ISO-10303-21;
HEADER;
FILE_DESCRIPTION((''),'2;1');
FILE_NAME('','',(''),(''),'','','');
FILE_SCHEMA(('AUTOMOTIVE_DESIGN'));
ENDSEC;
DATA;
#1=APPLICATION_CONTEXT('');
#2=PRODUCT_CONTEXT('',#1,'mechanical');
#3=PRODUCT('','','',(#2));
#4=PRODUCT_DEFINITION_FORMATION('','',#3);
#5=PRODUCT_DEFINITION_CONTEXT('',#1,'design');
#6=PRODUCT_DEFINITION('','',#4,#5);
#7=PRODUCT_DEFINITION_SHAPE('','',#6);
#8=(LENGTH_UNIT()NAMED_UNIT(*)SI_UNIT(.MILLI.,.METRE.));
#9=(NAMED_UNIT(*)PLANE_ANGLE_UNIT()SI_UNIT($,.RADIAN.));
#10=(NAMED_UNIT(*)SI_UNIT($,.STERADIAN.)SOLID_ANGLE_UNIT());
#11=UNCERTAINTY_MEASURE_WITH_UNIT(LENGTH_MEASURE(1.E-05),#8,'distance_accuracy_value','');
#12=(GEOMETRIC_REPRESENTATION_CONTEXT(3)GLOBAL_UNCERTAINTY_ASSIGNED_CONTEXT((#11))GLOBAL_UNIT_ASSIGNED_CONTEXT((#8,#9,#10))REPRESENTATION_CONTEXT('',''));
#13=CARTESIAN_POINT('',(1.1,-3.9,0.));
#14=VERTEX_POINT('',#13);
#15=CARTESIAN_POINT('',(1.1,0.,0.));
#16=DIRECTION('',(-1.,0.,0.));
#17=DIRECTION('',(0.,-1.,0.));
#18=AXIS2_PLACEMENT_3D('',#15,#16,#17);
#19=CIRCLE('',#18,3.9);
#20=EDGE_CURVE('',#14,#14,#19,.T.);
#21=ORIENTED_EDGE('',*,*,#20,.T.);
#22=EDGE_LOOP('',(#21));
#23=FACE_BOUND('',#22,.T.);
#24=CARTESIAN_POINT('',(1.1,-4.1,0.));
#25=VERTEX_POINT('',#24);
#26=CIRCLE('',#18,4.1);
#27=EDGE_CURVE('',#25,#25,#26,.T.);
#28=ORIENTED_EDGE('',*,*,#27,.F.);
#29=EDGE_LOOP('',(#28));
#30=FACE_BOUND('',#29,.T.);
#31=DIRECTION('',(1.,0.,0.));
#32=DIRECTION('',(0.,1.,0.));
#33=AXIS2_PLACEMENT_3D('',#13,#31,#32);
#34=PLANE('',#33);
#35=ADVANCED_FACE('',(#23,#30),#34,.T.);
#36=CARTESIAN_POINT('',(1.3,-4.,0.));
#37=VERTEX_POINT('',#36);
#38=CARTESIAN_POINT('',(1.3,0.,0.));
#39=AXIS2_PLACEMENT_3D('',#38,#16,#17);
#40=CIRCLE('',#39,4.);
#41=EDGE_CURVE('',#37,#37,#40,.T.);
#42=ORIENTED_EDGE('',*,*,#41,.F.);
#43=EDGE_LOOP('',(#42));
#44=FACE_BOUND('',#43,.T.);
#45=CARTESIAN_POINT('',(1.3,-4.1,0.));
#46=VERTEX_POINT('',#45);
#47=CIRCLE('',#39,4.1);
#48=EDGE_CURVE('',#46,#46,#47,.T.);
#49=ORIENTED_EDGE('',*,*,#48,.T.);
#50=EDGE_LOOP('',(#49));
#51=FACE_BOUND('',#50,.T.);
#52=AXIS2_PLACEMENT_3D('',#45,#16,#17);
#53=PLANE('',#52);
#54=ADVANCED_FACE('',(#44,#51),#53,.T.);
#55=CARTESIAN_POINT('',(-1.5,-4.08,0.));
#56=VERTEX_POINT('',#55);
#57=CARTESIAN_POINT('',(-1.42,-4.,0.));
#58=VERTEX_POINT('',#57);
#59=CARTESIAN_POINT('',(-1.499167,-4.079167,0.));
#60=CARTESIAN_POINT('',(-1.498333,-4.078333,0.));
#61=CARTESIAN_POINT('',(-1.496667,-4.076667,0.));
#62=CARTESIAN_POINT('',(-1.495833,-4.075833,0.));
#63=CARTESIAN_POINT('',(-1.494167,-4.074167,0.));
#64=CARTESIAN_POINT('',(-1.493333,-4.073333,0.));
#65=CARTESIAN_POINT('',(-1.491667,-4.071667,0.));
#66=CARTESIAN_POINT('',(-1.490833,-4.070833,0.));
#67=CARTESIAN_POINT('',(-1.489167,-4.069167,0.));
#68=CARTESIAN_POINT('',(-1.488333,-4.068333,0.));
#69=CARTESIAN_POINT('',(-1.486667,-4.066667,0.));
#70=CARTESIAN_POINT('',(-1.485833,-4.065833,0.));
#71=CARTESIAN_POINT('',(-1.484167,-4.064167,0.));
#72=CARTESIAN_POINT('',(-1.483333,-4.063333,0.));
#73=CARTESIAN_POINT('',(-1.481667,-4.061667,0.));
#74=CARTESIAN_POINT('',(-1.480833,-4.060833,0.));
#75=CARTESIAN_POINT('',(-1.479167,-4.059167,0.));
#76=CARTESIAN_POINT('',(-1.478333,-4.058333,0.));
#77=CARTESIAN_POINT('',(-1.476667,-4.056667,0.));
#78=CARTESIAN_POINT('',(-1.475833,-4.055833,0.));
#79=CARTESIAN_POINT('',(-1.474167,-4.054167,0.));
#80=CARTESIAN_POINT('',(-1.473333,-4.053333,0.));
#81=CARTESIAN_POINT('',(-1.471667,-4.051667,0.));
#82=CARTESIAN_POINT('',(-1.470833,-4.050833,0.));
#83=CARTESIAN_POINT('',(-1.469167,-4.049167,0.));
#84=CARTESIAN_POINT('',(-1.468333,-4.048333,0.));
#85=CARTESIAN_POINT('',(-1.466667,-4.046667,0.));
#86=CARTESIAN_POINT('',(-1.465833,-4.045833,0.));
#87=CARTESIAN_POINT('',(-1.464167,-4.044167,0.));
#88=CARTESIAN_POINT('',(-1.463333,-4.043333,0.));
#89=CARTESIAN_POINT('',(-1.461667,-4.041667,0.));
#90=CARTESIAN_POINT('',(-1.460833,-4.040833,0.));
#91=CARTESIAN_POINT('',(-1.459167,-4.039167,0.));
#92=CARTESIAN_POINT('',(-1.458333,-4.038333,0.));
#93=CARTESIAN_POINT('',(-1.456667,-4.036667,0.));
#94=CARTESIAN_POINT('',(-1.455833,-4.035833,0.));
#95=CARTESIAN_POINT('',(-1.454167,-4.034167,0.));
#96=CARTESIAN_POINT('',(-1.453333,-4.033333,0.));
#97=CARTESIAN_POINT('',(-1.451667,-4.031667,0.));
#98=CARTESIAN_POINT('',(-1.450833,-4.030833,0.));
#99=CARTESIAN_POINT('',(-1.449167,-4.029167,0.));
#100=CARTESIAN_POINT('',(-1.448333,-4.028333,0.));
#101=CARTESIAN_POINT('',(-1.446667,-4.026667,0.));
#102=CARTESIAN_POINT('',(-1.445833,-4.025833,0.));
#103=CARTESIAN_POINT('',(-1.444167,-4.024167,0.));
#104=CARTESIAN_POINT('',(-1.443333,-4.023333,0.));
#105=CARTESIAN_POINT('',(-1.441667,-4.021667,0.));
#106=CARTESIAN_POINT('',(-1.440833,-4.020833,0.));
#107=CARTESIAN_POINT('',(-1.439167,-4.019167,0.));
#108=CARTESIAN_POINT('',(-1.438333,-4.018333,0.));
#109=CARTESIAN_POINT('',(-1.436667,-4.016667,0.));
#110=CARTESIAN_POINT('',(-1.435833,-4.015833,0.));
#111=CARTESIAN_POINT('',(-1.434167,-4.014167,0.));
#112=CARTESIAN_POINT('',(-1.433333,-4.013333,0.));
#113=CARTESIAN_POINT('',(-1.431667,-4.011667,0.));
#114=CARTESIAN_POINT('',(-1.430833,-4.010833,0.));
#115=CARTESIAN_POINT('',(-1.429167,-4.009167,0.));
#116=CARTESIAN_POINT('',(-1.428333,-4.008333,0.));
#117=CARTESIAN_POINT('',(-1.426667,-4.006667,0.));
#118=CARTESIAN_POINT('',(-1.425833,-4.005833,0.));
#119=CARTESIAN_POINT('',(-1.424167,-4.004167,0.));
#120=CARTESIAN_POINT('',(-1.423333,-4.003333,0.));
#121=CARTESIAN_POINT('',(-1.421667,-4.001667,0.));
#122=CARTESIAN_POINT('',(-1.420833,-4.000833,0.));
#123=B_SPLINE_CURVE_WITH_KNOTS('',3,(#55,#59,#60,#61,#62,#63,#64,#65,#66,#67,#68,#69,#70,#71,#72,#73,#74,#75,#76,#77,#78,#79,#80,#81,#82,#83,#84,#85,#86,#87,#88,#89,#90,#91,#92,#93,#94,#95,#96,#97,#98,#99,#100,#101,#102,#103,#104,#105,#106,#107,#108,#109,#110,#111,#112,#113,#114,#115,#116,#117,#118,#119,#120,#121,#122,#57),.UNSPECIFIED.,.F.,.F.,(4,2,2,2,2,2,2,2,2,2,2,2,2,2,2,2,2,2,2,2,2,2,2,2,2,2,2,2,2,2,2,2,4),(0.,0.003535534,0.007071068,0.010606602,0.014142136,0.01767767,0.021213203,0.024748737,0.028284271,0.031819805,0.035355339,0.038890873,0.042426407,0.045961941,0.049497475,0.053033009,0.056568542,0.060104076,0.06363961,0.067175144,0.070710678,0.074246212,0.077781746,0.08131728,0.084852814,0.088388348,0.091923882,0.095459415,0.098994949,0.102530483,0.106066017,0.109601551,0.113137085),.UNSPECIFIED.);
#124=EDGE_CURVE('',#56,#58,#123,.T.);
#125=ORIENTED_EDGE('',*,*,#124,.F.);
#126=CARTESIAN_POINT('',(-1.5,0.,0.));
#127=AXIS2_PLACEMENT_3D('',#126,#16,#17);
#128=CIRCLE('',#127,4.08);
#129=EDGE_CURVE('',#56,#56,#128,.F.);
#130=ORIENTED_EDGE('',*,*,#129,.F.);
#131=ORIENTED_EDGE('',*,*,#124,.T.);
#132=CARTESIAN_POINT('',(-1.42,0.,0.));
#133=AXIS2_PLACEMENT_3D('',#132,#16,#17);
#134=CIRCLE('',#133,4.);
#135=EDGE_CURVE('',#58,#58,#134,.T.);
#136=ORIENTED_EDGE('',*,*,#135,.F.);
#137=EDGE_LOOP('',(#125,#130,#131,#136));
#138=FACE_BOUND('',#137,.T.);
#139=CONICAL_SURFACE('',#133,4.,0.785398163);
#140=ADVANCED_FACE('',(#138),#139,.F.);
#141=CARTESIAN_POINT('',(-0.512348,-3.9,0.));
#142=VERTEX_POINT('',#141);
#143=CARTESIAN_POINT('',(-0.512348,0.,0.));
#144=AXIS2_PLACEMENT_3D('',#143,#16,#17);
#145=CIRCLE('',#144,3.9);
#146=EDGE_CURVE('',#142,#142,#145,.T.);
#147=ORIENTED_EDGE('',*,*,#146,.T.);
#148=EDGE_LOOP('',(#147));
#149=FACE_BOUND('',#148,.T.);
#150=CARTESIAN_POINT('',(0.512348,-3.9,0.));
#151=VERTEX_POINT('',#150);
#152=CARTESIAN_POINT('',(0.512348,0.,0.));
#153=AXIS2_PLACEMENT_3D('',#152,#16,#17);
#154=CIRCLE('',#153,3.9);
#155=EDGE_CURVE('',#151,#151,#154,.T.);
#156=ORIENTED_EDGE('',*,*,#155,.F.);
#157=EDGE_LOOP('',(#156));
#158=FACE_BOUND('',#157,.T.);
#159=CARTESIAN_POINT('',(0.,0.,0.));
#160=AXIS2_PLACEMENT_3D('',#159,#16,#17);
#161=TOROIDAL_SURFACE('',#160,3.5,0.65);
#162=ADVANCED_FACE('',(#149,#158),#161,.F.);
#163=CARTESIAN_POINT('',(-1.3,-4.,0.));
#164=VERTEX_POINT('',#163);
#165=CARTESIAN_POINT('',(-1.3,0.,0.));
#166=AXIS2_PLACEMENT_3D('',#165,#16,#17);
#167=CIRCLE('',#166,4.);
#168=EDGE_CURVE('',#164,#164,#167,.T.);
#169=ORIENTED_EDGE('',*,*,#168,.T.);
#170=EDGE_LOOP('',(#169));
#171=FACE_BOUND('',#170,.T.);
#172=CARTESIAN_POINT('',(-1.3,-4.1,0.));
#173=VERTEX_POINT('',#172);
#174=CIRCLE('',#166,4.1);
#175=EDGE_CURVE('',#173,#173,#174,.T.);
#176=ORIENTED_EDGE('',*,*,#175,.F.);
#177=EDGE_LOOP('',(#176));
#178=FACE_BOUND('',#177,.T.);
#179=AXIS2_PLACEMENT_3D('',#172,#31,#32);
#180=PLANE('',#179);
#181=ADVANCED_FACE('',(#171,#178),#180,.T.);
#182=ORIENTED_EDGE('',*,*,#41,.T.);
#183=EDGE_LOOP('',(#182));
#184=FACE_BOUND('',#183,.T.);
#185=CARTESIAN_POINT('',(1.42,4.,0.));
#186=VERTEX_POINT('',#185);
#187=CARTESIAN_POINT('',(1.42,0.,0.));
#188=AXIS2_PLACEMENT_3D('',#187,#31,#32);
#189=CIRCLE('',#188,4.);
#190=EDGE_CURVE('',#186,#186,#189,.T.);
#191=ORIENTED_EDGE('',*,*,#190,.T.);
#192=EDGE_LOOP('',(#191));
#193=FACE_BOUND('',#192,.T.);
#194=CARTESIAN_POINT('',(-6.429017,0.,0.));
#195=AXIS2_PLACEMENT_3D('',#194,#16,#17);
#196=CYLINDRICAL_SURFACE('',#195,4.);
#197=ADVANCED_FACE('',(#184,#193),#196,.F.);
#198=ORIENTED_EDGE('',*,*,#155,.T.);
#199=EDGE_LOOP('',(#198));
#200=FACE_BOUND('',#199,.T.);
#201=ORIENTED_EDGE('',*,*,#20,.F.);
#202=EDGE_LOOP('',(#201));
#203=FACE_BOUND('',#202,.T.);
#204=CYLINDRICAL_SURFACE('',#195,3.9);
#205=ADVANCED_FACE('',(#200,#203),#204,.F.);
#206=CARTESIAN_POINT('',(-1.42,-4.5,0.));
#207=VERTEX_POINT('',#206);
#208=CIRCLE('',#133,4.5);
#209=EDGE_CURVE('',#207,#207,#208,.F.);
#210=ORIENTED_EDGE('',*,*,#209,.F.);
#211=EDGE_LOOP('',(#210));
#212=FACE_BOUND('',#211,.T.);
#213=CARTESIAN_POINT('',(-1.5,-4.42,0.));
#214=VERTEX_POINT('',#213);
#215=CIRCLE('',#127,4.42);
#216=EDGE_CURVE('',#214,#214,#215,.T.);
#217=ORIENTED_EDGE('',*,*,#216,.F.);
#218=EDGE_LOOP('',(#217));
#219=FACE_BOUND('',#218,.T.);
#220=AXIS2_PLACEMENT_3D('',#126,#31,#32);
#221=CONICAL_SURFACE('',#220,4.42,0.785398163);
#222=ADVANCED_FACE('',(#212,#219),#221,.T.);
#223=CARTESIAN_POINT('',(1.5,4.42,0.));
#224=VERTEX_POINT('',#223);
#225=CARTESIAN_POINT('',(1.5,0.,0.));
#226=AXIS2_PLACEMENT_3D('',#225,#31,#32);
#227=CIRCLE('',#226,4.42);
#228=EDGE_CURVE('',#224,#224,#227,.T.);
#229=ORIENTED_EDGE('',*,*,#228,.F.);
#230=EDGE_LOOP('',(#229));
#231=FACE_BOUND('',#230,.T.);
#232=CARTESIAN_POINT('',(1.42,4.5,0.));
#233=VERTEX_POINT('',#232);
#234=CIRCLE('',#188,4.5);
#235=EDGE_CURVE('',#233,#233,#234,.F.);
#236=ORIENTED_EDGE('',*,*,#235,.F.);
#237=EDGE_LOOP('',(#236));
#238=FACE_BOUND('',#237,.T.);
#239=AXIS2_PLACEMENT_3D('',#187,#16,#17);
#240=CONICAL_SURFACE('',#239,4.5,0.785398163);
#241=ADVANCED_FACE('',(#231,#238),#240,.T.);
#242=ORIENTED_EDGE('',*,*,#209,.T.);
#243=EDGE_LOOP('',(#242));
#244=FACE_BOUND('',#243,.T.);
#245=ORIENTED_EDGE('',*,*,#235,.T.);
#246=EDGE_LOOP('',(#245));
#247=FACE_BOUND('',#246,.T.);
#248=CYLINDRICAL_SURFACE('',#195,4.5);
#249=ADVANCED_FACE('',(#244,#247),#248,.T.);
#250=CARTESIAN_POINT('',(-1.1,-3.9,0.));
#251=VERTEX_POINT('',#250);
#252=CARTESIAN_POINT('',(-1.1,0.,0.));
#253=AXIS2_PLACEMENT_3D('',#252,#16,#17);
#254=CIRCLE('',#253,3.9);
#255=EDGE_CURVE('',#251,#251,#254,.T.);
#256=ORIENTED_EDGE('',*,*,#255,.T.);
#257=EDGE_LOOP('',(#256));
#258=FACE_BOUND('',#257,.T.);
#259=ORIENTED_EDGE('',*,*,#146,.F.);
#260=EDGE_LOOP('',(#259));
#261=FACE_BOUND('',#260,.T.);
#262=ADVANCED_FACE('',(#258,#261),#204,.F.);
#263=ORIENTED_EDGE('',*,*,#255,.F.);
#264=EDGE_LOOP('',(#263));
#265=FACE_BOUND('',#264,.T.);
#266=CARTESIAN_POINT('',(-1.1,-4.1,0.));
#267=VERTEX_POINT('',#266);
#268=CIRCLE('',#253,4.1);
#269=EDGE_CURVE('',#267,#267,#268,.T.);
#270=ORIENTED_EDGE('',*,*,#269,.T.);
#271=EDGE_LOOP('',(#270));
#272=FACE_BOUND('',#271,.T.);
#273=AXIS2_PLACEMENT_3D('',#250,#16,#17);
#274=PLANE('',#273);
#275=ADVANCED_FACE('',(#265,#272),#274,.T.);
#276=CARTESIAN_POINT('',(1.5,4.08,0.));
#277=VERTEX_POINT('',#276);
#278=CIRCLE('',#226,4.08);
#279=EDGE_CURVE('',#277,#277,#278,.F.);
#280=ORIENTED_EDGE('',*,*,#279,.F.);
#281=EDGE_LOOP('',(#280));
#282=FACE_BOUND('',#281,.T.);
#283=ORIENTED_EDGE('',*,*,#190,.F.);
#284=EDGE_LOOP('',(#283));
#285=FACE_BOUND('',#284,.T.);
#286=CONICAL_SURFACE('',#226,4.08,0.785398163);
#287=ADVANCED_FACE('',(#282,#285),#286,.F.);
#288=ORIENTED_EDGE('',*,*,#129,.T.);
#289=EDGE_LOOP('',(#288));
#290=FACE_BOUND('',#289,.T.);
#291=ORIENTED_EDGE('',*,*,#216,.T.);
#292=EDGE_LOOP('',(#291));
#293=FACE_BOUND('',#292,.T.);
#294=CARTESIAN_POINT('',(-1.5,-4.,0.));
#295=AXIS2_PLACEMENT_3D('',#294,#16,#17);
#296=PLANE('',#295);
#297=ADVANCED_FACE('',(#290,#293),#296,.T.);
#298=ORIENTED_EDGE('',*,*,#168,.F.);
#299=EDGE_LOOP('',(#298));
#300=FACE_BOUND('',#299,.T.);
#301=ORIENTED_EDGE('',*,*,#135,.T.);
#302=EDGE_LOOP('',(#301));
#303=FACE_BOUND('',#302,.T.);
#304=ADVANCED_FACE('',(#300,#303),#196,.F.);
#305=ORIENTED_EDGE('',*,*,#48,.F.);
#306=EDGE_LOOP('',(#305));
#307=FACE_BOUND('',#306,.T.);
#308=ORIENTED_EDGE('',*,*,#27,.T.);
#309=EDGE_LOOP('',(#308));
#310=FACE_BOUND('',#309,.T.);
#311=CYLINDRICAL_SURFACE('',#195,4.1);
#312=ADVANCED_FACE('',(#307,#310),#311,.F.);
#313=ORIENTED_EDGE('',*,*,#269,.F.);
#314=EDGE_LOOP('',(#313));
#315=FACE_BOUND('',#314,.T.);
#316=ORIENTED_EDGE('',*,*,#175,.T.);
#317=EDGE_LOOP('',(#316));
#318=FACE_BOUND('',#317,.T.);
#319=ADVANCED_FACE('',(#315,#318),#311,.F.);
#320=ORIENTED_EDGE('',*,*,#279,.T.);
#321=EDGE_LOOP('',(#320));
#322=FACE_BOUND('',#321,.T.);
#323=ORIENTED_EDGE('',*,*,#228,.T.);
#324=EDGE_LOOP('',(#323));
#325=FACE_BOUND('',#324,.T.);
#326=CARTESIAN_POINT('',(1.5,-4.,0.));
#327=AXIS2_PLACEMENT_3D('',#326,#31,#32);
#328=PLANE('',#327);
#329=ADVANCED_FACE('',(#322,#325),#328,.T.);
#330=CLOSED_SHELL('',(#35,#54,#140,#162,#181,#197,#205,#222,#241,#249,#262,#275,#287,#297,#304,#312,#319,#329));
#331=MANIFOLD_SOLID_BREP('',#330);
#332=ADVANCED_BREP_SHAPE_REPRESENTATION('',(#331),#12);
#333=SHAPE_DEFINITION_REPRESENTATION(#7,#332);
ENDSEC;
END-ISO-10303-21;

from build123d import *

# Parameters (mm, degrees)
CHAMFER1_SIZE = 0.08


with BuildPart() as part:
    # Sketch1 → Revolve1 (revolve)
    with BuildSketch(Plane.XY):
        with BuildLine():
            Line((-1.1, -3.9), (-0.512347538, -3.9))
            ThreePointArc((-0.512347538, -3.9), (0, -4.15), (0.512347538, -3.9))
            Line((0.512347538, -3.9), (1.1, -3.9))
            Line((1.1, -3.9), (1.1, -4.1))
            Line((1.1, -4.1), (1.3, -4.1))
            Line((1.3, -4.1), (1.3, -4))
            Line((1.3, -4), (1.5, -4))
            Line((1.5, -4), (1.5, -4.5))
            Line((1.5, -4.5), (-1.5, -4.5))
            Line((-1.5, -4.5), (-1.5, -4))
            Line((-1.5, -4), (-1.3, -4))
            Line((-1.3, -4), (-1.3, -4.1))
            Line((-1.3, -4.1), (-1.1, -4.1))
            Line((-1.1, -4.1), (-1.1, -3.9))
        make_face()
    revolve(axis=Axis((-6.429017492, 0, 0), (1, 0, 0)))

    # Chamfer1
    chamfer1_edges = [part.edges().sort_by_distance(p)[0] for p in [
        (1.5, 4.5, 0),
        (-1.5, 4.5, 0),
        (-1.5, 4, 0),
        (1.5, 4, 0),
    ]]
    chamfer(chamfer1_edges, length=CHAMFER1_SIZE)


solid = part.part
